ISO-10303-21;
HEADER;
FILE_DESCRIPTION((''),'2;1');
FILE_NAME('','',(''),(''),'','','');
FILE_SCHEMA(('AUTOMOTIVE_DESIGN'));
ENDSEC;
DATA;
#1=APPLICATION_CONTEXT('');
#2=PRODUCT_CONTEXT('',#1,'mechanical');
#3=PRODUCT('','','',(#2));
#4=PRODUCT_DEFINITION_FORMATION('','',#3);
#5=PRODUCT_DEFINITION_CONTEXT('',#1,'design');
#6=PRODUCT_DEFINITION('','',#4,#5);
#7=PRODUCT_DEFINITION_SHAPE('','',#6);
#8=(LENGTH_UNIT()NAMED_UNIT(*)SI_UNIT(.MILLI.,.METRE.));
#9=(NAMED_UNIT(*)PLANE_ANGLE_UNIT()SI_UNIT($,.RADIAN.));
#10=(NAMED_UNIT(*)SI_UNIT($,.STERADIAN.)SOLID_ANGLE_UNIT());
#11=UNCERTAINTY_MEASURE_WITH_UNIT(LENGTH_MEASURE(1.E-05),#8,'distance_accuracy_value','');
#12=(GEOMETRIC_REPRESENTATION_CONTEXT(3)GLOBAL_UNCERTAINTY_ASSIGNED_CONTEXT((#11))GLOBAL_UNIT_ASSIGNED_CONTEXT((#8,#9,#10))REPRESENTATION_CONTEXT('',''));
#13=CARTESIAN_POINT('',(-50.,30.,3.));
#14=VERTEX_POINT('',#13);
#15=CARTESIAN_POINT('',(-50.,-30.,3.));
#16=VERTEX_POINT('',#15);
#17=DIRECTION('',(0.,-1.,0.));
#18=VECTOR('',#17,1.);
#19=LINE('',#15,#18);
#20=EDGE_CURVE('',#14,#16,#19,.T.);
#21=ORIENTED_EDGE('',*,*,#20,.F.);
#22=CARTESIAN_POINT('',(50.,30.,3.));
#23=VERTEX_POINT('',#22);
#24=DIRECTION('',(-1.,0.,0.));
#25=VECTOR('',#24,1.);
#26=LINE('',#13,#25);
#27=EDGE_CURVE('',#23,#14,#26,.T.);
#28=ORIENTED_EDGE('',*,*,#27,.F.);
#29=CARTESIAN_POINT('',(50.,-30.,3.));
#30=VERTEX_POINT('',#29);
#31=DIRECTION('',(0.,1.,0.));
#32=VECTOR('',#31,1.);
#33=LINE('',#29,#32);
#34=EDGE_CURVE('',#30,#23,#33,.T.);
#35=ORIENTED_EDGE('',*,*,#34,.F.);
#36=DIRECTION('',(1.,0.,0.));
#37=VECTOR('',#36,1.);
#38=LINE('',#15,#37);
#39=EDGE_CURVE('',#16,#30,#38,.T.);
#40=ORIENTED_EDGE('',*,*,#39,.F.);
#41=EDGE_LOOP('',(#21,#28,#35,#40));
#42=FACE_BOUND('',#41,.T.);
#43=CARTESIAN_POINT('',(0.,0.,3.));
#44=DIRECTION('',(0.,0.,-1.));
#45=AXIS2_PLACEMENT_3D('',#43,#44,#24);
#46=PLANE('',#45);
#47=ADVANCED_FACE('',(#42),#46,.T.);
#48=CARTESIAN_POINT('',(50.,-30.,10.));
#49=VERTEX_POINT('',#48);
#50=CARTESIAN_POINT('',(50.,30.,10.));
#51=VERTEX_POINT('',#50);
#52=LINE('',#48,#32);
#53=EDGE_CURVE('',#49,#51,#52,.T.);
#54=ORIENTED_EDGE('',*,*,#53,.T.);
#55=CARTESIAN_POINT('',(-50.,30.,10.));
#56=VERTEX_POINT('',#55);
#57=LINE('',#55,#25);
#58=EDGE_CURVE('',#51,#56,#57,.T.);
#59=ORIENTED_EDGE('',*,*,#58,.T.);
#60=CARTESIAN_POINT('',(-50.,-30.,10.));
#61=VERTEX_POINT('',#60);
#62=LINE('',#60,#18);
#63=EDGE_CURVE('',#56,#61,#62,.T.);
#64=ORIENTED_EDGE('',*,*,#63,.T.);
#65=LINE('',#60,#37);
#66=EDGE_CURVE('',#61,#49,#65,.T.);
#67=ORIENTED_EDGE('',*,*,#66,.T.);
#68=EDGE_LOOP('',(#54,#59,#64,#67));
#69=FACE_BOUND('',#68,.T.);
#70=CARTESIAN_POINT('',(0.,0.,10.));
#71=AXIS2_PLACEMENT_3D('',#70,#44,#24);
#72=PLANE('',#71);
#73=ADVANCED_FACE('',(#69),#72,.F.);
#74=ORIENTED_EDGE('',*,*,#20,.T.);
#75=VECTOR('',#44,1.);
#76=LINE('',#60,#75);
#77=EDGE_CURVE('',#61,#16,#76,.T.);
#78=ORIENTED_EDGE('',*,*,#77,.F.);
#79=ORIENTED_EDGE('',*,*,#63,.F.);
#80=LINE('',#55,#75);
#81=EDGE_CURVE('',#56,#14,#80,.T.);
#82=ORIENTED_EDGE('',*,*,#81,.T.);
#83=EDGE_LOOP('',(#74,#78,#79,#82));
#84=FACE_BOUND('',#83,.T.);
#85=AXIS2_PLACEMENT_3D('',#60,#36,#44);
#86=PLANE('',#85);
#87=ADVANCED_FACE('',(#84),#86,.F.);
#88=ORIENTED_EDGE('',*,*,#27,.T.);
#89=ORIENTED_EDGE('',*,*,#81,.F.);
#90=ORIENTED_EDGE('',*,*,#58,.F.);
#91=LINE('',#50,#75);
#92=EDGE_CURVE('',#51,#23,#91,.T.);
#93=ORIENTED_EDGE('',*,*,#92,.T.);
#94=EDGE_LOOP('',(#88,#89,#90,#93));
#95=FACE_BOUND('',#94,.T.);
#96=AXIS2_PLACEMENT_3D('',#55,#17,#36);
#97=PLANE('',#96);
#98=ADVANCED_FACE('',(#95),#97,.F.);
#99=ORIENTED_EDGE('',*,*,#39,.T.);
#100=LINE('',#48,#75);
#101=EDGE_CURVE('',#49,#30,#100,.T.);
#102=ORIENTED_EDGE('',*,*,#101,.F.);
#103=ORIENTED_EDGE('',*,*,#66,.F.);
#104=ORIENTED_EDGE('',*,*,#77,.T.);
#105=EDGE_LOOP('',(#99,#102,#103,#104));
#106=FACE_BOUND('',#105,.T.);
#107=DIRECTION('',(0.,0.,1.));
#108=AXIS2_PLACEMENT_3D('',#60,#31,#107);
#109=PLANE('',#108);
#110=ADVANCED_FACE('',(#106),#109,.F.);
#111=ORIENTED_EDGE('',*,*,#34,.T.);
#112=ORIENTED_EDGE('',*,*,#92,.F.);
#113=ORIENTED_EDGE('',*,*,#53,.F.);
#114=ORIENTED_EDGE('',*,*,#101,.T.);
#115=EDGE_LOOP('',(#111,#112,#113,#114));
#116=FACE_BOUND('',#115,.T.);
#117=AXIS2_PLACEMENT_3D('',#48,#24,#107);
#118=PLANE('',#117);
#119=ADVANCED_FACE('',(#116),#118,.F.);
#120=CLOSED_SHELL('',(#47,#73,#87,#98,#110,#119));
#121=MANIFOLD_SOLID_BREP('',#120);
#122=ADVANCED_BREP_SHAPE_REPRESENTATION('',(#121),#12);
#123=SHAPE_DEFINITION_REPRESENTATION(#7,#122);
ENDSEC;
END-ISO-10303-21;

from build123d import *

# Parameters (mm, degrees)
SKETCH1_W           = 100
SKETCH1_H           = 60
BOSS_EXTRUDE1_DEPTH = 10
SKETCH1_2_W         = 100
SKETCH1_2_H         = 60
CUT_EXTRUDE1_DEPTH  = 3


with BuildPart() as part:
    # Sketch1 → Boss-Extrude1 (new body)
    with BuildSketch(Plane.XY):
        Rectangle(SKETCH1_W, SKETCH1_H)
    extrude(amount=BOSS_EXTRUDE1_DEPTH)

    # Sketch1<2> → Cut-Extrude1 (cut)
    with BuildSketch(Plane.XY):
        Rectangle(SKETCH1_2_W, SKETCH1_2_H)
    extrude(amount=CUT_EXTRUDE1_DEPTH, mode=Mode.SUBTRACT)


solid = part.part
